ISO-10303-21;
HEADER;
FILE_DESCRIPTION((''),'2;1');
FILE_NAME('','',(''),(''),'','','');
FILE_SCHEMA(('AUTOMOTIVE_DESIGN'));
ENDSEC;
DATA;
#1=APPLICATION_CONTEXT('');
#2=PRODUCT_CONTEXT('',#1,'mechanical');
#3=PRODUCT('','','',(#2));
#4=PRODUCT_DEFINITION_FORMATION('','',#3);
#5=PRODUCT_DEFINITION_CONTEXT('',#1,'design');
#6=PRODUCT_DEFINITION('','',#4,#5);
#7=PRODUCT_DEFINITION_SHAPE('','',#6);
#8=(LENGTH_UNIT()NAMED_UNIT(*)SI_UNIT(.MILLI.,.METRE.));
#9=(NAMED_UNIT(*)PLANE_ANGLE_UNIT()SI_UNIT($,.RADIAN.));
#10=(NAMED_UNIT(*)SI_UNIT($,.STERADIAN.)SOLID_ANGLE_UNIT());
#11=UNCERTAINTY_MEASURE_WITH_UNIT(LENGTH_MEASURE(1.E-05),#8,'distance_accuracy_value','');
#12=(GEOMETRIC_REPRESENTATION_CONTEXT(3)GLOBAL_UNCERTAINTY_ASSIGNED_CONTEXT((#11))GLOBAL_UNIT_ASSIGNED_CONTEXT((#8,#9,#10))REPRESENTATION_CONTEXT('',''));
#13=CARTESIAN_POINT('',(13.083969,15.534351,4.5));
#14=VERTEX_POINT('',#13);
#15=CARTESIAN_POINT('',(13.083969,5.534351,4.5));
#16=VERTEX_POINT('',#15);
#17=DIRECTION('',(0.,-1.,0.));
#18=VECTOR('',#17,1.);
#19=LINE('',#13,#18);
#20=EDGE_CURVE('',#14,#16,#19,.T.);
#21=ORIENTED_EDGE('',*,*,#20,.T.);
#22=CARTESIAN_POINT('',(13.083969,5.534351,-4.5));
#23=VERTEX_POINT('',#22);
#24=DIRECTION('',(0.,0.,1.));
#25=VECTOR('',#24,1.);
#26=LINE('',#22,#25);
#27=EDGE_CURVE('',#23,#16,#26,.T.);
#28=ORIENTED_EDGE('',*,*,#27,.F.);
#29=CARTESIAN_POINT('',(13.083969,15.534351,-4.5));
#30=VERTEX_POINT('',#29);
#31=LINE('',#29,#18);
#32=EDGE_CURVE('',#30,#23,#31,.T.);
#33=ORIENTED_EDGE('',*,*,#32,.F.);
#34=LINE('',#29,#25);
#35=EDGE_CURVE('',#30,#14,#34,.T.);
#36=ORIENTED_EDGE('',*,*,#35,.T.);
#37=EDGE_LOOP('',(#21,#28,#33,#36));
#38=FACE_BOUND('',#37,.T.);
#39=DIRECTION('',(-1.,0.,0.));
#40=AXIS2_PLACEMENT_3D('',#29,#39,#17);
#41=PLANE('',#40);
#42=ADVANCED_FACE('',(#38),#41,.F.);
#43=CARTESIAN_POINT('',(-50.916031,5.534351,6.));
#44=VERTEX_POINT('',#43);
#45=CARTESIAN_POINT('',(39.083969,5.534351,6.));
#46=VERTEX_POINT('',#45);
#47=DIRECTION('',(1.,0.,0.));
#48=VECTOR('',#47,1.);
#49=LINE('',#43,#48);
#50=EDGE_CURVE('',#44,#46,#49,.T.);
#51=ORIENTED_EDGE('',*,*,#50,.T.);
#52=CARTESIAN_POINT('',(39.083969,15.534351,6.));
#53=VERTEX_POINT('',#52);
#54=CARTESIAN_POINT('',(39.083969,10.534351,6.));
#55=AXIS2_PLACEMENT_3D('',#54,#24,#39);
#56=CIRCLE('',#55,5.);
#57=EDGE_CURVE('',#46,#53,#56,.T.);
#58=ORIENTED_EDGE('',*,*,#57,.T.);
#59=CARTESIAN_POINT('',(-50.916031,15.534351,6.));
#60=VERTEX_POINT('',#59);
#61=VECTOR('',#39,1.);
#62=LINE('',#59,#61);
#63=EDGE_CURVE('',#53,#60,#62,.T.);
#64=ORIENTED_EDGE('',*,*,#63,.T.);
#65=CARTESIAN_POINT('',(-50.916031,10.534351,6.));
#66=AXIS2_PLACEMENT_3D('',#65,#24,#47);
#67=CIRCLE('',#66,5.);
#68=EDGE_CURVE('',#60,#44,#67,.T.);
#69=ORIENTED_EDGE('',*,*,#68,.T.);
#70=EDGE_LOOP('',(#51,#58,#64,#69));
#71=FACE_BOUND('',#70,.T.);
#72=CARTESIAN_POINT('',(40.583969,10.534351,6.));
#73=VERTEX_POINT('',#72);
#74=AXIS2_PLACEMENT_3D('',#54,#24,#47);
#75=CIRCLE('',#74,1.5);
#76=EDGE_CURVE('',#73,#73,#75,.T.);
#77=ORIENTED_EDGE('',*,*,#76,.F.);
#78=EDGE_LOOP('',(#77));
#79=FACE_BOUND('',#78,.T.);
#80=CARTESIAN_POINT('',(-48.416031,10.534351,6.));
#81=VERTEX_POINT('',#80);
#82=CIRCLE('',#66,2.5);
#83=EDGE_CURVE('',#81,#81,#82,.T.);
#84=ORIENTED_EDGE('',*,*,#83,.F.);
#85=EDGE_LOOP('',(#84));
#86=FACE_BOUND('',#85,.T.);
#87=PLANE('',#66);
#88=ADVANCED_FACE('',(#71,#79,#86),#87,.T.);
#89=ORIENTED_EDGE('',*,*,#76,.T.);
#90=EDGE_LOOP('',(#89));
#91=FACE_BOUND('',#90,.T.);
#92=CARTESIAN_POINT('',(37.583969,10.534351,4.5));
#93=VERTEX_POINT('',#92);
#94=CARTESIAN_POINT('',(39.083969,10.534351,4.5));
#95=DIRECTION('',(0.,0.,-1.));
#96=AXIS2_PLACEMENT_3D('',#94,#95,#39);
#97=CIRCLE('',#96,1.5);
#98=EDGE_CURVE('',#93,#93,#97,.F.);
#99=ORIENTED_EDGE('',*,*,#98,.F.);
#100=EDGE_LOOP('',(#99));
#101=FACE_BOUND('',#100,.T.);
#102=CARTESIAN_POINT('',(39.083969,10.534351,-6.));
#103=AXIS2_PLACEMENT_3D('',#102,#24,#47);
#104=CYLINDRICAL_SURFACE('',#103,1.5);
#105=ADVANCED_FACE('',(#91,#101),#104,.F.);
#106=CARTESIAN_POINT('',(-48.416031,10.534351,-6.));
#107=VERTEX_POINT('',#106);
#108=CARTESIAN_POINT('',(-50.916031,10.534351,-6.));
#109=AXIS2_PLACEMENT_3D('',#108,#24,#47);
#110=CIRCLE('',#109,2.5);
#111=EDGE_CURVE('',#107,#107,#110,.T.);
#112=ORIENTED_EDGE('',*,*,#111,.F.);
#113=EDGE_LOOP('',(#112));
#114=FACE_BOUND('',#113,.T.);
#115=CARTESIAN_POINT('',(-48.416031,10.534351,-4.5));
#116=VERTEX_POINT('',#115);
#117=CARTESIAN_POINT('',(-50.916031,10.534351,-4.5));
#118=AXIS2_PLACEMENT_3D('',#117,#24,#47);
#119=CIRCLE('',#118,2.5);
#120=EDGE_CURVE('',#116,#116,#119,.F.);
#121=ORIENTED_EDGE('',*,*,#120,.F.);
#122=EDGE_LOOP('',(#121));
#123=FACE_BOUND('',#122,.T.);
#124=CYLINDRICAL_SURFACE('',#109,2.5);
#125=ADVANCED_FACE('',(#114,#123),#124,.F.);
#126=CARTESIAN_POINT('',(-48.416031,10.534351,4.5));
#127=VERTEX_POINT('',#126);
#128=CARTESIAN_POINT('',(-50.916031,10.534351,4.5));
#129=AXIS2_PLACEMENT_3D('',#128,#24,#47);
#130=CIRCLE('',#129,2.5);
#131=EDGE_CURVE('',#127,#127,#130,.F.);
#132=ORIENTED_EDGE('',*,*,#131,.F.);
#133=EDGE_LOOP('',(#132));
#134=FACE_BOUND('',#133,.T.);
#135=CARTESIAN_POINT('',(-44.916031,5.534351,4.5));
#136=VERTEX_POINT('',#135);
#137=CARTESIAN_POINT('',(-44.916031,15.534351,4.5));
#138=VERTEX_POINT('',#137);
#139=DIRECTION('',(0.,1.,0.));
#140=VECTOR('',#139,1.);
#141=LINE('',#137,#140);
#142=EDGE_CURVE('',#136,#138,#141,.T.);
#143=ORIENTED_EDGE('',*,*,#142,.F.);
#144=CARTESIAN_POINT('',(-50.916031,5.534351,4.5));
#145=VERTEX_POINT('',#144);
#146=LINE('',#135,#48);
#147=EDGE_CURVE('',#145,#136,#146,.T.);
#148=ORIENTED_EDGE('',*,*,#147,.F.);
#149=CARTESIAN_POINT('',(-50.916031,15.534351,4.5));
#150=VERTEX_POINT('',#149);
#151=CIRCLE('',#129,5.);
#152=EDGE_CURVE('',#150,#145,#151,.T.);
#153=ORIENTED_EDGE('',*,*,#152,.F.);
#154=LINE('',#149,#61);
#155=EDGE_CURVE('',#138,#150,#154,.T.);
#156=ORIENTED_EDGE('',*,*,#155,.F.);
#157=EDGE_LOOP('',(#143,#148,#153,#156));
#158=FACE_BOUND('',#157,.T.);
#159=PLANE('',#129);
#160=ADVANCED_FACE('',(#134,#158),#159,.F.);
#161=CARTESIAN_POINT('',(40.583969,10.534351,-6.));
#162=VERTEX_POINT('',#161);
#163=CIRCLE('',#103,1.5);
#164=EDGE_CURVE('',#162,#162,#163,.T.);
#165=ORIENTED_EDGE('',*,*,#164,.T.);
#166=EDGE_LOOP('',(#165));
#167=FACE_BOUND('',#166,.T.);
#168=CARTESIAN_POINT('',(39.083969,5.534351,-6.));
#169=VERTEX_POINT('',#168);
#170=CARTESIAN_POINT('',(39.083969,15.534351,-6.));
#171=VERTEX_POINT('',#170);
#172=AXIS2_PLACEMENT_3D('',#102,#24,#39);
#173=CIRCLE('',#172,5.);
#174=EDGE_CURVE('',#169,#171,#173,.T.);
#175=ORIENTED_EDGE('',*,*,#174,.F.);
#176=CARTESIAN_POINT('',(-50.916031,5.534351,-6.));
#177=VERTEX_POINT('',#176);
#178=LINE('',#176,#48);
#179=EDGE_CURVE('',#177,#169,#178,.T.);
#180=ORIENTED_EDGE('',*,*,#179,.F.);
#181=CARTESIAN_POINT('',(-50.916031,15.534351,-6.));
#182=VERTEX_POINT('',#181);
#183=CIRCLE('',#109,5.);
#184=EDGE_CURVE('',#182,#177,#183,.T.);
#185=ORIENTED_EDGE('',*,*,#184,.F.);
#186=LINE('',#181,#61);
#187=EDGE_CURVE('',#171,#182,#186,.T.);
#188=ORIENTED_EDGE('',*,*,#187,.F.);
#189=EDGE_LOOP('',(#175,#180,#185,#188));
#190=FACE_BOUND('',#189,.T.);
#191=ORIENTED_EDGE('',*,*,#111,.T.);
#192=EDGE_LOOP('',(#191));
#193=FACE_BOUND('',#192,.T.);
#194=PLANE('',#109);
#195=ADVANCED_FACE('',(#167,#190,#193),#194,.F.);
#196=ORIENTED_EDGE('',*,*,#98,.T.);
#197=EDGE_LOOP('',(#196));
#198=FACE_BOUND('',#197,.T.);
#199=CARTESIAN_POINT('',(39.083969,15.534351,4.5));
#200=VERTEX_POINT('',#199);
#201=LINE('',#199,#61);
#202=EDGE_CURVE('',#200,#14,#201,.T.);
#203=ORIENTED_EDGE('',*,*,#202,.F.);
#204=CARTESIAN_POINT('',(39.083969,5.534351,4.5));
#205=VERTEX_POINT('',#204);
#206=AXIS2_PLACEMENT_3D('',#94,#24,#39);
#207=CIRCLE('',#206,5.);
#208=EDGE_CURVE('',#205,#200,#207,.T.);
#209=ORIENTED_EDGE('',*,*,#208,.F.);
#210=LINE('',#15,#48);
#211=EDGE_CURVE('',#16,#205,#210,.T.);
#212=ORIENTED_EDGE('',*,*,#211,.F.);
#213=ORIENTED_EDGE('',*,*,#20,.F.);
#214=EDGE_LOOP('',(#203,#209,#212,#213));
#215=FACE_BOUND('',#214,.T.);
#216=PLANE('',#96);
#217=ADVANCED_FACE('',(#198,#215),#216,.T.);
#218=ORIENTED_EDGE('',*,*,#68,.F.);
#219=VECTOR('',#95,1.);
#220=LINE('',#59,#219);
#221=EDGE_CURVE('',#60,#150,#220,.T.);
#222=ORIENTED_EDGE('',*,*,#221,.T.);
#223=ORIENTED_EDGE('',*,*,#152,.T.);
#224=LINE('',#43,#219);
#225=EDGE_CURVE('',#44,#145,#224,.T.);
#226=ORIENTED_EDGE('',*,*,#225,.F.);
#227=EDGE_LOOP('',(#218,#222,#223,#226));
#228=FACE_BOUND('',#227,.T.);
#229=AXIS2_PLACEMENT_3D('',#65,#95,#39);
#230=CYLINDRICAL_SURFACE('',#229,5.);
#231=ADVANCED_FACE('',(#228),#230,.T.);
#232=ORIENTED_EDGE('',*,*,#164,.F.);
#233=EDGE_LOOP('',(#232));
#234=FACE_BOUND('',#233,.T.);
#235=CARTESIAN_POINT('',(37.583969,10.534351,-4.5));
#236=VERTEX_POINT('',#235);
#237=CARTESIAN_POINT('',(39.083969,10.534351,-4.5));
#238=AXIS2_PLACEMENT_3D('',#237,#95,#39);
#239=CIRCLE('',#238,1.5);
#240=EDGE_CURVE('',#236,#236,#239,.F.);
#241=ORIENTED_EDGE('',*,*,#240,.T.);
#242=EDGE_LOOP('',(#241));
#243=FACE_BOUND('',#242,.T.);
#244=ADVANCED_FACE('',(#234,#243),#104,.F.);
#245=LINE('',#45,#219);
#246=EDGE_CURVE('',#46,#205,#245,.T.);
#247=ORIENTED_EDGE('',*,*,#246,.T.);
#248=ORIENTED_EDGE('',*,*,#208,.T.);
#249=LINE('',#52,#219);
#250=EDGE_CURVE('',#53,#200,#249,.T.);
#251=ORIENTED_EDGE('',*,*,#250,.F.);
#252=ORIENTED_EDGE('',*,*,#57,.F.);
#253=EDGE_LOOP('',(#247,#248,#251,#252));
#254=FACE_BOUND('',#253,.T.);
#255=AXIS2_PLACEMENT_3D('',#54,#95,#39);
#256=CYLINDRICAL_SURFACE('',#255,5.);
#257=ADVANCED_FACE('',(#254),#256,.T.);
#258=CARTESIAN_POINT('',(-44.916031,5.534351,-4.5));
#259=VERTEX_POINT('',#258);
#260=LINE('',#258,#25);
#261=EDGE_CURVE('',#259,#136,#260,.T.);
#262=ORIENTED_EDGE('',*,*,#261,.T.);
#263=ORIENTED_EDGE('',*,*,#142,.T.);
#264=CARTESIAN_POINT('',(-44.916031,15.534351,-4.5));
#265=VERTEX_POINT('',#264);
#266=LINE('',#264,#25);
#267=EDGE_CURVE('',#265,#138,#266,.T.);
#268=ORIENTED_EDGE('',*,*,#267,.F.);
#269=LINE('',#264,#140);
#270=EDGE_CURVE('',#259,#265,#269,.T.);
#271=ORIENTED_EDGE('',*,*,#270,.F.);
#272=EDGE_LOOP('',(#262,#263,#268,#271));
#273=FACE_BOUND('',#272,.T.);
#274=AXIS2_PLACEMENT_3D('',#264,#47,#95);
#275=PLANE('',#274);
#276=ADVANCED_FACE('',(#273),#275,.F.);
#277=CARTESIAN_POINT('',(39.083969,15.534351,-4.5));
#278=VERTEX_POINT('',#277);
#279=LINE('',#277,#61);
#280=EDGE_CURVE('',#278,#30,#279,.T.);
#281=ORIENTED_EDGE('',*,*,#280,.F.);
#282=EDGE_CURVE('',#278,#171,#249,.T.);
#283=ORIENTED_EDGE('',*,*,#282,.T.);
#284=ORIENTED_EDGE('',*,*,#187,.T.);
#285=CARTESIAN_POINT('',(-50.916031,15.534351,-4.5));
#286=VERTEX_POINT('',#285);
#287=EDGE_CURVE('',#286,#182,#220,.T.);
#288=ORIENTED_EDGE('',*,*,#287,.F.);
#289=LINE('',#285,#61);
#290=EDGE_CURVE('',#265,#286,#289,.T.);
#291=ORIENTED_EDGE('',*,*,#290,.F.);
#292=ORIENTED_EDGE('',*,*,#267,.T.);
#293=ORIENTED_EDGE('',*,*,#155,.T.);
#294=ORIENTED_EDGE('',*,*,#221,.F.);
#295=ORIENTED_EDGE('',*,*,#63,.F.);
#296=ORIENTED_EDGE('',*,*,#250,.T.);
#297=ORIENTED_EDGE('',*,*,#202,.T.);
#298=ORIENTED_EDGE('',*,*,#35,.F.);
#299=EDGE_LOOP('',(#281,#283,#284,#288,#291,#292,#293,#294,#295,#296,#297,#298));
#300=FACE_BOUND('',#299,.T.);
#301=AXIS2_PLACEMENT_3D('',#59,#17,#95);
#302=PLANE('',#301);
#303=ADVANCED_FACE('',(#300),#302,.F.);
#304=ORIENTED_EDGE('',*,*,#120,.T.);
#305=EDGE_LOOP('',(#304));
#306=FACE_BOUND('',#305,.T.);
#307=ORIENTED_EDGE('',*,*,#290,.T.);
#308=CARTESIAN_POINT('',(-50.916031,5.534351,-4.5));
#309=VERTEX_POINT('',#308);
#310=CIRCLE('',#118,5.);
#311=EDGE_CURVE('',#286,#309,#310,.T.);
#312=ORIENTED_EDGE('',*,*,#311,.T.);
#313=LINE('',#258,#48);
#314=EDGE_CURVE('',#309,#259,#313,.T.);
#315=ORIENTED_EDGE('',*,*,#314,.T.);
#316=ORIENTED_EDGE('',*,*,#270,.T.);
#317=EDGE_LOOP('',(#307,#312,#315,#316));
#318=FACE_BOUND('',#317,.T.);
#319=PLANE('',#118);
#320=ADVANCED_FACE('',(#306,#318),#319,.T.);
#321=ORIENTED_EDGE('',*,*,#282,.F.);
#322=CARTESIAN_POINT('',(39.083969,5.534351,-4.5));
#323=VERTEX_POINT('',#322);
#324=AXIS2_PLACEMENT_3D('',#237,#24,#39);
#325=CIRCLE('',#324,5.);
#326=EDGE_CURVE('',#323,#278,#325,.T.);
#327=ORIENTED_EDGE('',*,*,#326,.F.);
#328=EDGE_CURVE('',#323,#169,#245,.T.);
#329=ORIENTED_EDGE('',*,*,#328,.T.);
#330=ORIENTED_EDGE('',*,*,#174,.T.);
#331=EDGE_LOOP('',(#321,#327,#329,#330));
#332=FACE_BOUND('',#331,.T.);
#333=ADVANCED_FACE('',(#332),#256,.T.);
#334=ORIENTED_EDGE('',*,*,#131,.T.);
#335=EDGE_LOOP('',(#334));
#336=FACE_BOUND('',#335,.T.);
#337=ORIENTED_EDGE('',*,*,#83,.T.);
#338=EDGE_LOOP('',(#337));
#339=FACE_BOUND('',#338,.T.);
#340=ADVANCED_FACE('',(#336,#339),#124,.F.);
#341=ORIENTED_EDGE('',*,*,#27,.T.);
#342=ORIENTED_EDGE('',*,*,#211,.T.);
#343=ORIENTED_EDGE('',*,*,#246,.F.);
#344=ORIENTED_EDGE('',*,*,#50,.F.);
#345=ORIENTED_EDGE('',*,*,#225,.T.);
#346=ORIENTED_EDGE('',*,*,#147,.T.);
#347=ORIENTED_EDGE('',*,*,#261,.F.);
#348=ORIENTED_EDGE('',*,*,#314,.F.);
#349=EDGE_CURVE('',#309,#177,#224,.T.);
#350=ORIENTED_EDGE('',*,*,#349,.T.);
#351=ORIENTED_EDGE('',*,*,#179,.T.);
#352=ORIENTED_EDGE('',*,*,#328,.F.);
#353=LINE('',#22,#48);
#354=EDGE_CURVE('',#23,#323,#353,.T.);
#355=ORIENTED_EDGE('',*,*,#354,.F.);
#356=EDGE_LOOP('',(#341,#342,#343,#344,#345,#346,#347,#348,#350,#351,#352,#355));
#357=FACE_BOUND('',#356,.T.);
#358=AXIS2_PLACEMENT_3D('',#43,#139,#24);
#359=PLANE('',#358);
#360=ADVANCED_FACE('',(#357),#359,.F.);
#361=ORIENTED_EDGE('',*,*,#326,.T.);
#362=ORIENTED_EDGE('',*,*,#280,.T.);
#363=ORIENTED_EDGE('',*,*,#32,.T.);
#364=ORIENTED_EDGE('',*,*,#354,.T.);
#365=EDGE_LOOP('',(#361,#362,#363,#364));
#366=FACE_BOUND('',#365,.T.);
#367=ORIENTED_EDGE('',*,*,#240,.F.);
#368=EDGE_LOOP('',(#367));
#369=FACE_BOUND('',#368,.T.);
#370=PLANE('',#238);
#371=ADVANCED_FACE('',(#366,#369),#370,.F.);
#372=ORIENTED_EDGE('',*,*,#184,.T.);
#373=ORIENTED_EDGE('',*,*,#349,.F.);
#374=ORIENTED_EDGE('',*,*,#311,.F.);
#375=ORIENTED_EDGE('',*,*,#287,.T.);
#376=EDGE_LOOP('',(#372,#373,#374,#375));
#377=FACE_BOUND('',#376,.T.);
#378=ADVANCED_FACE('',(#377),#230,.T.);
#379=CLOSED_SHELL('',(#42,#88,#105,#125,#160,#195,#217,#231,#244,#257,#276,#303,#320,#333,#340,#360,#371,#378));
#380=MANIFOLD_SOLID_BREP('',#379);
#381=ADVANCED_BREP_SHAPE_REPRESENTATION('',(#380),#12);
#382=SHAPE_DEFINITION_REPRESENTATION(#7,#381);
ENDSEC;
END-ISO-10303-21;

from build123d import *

# Parameters (mm, degrees)
EXTRUDE_1_DEPTH     = 6
SKETCH_2_R          = 2.5
SKETCH_2_R_2        = 1.5
CUT_EXTRUDE_1_DEPTH = 12
CUT_EXTRUDE_2_DEPTH = 4.5


with BuildPart() as part:
    # 草图1 → 凸台-拉伸1 (new, symmetric)
    with BuildSketch(Plane.XY):
        with BuildLine():
            Line((-50.916030534, 15.534351145), (39.083969466, 15.534351145))
            ThreePointArc((39.083969466, 15.534351145), (44.083969466, 10.534351145), (39.083969466, 5.534351145))
            Line((39.083969466, 5.534351145), (-50.916030534, 5.534351145))
            ThreePointArc((-50.916030534, 5.534351145), (-55.916030534, 10.534351145), (-50.916030534, 15.534351145))
        make_face()
    extrude(amount=EXTRUDE_1_DEPTH, both=True)

    # 草图2 → 切除-拉伸1 (cut)
    with BuildSketch(Plane.XY.offset(6)):
        with Locations((-50.916030534, 10.534351145)):
            Circle(SKETCH_2_R)
        with Locations((39.083969466, 10.534351145)):
            Circle(SKETCH_2_R_2)
    extrude(amount=-CUT_EXTRUDE_1_DEPTH, mode=Mode.SUBTRACT)

    # 草图3 → 切除-拉伸2 (cut, symmetric)
    with BuildSketch(Plane.XY):
        with BuildLine():
            Line((39.083969466, 15.534351145), (13.083969466, 15.534351145))
            Line((13.083969466, 15.534351145), (13.083969466, 5.534351145))
            Line((13.083969466, 5.534351145), (39.083969466, 5.534351145))
            ThreePointArc((39.083969466, 5.534351145), (44.083969466, 10.534351145), (39.083969466, 15.534351145))
        make_face()
        with BuildLine():
            Line((-50.916030534, 15.534351145), (-44.916030534, 15.534351145))
            Line((-44.916030534, 15.534351145), (-44.916030534, 5.534351145))
            Line((-44.916030534, 5.534351145), (-50.916030534, 5.534351145))
            ThreePointArc((-50.916030534, 5.534351145), (-55.916030534, 10.534351145), (-50.916030534, 15.534351145))
        make_face()
    extrude(amount=CUT_EXTRUDE_2_DEPTH, both=True, mode=Mode.SUBTRACT)


solid = part.part
